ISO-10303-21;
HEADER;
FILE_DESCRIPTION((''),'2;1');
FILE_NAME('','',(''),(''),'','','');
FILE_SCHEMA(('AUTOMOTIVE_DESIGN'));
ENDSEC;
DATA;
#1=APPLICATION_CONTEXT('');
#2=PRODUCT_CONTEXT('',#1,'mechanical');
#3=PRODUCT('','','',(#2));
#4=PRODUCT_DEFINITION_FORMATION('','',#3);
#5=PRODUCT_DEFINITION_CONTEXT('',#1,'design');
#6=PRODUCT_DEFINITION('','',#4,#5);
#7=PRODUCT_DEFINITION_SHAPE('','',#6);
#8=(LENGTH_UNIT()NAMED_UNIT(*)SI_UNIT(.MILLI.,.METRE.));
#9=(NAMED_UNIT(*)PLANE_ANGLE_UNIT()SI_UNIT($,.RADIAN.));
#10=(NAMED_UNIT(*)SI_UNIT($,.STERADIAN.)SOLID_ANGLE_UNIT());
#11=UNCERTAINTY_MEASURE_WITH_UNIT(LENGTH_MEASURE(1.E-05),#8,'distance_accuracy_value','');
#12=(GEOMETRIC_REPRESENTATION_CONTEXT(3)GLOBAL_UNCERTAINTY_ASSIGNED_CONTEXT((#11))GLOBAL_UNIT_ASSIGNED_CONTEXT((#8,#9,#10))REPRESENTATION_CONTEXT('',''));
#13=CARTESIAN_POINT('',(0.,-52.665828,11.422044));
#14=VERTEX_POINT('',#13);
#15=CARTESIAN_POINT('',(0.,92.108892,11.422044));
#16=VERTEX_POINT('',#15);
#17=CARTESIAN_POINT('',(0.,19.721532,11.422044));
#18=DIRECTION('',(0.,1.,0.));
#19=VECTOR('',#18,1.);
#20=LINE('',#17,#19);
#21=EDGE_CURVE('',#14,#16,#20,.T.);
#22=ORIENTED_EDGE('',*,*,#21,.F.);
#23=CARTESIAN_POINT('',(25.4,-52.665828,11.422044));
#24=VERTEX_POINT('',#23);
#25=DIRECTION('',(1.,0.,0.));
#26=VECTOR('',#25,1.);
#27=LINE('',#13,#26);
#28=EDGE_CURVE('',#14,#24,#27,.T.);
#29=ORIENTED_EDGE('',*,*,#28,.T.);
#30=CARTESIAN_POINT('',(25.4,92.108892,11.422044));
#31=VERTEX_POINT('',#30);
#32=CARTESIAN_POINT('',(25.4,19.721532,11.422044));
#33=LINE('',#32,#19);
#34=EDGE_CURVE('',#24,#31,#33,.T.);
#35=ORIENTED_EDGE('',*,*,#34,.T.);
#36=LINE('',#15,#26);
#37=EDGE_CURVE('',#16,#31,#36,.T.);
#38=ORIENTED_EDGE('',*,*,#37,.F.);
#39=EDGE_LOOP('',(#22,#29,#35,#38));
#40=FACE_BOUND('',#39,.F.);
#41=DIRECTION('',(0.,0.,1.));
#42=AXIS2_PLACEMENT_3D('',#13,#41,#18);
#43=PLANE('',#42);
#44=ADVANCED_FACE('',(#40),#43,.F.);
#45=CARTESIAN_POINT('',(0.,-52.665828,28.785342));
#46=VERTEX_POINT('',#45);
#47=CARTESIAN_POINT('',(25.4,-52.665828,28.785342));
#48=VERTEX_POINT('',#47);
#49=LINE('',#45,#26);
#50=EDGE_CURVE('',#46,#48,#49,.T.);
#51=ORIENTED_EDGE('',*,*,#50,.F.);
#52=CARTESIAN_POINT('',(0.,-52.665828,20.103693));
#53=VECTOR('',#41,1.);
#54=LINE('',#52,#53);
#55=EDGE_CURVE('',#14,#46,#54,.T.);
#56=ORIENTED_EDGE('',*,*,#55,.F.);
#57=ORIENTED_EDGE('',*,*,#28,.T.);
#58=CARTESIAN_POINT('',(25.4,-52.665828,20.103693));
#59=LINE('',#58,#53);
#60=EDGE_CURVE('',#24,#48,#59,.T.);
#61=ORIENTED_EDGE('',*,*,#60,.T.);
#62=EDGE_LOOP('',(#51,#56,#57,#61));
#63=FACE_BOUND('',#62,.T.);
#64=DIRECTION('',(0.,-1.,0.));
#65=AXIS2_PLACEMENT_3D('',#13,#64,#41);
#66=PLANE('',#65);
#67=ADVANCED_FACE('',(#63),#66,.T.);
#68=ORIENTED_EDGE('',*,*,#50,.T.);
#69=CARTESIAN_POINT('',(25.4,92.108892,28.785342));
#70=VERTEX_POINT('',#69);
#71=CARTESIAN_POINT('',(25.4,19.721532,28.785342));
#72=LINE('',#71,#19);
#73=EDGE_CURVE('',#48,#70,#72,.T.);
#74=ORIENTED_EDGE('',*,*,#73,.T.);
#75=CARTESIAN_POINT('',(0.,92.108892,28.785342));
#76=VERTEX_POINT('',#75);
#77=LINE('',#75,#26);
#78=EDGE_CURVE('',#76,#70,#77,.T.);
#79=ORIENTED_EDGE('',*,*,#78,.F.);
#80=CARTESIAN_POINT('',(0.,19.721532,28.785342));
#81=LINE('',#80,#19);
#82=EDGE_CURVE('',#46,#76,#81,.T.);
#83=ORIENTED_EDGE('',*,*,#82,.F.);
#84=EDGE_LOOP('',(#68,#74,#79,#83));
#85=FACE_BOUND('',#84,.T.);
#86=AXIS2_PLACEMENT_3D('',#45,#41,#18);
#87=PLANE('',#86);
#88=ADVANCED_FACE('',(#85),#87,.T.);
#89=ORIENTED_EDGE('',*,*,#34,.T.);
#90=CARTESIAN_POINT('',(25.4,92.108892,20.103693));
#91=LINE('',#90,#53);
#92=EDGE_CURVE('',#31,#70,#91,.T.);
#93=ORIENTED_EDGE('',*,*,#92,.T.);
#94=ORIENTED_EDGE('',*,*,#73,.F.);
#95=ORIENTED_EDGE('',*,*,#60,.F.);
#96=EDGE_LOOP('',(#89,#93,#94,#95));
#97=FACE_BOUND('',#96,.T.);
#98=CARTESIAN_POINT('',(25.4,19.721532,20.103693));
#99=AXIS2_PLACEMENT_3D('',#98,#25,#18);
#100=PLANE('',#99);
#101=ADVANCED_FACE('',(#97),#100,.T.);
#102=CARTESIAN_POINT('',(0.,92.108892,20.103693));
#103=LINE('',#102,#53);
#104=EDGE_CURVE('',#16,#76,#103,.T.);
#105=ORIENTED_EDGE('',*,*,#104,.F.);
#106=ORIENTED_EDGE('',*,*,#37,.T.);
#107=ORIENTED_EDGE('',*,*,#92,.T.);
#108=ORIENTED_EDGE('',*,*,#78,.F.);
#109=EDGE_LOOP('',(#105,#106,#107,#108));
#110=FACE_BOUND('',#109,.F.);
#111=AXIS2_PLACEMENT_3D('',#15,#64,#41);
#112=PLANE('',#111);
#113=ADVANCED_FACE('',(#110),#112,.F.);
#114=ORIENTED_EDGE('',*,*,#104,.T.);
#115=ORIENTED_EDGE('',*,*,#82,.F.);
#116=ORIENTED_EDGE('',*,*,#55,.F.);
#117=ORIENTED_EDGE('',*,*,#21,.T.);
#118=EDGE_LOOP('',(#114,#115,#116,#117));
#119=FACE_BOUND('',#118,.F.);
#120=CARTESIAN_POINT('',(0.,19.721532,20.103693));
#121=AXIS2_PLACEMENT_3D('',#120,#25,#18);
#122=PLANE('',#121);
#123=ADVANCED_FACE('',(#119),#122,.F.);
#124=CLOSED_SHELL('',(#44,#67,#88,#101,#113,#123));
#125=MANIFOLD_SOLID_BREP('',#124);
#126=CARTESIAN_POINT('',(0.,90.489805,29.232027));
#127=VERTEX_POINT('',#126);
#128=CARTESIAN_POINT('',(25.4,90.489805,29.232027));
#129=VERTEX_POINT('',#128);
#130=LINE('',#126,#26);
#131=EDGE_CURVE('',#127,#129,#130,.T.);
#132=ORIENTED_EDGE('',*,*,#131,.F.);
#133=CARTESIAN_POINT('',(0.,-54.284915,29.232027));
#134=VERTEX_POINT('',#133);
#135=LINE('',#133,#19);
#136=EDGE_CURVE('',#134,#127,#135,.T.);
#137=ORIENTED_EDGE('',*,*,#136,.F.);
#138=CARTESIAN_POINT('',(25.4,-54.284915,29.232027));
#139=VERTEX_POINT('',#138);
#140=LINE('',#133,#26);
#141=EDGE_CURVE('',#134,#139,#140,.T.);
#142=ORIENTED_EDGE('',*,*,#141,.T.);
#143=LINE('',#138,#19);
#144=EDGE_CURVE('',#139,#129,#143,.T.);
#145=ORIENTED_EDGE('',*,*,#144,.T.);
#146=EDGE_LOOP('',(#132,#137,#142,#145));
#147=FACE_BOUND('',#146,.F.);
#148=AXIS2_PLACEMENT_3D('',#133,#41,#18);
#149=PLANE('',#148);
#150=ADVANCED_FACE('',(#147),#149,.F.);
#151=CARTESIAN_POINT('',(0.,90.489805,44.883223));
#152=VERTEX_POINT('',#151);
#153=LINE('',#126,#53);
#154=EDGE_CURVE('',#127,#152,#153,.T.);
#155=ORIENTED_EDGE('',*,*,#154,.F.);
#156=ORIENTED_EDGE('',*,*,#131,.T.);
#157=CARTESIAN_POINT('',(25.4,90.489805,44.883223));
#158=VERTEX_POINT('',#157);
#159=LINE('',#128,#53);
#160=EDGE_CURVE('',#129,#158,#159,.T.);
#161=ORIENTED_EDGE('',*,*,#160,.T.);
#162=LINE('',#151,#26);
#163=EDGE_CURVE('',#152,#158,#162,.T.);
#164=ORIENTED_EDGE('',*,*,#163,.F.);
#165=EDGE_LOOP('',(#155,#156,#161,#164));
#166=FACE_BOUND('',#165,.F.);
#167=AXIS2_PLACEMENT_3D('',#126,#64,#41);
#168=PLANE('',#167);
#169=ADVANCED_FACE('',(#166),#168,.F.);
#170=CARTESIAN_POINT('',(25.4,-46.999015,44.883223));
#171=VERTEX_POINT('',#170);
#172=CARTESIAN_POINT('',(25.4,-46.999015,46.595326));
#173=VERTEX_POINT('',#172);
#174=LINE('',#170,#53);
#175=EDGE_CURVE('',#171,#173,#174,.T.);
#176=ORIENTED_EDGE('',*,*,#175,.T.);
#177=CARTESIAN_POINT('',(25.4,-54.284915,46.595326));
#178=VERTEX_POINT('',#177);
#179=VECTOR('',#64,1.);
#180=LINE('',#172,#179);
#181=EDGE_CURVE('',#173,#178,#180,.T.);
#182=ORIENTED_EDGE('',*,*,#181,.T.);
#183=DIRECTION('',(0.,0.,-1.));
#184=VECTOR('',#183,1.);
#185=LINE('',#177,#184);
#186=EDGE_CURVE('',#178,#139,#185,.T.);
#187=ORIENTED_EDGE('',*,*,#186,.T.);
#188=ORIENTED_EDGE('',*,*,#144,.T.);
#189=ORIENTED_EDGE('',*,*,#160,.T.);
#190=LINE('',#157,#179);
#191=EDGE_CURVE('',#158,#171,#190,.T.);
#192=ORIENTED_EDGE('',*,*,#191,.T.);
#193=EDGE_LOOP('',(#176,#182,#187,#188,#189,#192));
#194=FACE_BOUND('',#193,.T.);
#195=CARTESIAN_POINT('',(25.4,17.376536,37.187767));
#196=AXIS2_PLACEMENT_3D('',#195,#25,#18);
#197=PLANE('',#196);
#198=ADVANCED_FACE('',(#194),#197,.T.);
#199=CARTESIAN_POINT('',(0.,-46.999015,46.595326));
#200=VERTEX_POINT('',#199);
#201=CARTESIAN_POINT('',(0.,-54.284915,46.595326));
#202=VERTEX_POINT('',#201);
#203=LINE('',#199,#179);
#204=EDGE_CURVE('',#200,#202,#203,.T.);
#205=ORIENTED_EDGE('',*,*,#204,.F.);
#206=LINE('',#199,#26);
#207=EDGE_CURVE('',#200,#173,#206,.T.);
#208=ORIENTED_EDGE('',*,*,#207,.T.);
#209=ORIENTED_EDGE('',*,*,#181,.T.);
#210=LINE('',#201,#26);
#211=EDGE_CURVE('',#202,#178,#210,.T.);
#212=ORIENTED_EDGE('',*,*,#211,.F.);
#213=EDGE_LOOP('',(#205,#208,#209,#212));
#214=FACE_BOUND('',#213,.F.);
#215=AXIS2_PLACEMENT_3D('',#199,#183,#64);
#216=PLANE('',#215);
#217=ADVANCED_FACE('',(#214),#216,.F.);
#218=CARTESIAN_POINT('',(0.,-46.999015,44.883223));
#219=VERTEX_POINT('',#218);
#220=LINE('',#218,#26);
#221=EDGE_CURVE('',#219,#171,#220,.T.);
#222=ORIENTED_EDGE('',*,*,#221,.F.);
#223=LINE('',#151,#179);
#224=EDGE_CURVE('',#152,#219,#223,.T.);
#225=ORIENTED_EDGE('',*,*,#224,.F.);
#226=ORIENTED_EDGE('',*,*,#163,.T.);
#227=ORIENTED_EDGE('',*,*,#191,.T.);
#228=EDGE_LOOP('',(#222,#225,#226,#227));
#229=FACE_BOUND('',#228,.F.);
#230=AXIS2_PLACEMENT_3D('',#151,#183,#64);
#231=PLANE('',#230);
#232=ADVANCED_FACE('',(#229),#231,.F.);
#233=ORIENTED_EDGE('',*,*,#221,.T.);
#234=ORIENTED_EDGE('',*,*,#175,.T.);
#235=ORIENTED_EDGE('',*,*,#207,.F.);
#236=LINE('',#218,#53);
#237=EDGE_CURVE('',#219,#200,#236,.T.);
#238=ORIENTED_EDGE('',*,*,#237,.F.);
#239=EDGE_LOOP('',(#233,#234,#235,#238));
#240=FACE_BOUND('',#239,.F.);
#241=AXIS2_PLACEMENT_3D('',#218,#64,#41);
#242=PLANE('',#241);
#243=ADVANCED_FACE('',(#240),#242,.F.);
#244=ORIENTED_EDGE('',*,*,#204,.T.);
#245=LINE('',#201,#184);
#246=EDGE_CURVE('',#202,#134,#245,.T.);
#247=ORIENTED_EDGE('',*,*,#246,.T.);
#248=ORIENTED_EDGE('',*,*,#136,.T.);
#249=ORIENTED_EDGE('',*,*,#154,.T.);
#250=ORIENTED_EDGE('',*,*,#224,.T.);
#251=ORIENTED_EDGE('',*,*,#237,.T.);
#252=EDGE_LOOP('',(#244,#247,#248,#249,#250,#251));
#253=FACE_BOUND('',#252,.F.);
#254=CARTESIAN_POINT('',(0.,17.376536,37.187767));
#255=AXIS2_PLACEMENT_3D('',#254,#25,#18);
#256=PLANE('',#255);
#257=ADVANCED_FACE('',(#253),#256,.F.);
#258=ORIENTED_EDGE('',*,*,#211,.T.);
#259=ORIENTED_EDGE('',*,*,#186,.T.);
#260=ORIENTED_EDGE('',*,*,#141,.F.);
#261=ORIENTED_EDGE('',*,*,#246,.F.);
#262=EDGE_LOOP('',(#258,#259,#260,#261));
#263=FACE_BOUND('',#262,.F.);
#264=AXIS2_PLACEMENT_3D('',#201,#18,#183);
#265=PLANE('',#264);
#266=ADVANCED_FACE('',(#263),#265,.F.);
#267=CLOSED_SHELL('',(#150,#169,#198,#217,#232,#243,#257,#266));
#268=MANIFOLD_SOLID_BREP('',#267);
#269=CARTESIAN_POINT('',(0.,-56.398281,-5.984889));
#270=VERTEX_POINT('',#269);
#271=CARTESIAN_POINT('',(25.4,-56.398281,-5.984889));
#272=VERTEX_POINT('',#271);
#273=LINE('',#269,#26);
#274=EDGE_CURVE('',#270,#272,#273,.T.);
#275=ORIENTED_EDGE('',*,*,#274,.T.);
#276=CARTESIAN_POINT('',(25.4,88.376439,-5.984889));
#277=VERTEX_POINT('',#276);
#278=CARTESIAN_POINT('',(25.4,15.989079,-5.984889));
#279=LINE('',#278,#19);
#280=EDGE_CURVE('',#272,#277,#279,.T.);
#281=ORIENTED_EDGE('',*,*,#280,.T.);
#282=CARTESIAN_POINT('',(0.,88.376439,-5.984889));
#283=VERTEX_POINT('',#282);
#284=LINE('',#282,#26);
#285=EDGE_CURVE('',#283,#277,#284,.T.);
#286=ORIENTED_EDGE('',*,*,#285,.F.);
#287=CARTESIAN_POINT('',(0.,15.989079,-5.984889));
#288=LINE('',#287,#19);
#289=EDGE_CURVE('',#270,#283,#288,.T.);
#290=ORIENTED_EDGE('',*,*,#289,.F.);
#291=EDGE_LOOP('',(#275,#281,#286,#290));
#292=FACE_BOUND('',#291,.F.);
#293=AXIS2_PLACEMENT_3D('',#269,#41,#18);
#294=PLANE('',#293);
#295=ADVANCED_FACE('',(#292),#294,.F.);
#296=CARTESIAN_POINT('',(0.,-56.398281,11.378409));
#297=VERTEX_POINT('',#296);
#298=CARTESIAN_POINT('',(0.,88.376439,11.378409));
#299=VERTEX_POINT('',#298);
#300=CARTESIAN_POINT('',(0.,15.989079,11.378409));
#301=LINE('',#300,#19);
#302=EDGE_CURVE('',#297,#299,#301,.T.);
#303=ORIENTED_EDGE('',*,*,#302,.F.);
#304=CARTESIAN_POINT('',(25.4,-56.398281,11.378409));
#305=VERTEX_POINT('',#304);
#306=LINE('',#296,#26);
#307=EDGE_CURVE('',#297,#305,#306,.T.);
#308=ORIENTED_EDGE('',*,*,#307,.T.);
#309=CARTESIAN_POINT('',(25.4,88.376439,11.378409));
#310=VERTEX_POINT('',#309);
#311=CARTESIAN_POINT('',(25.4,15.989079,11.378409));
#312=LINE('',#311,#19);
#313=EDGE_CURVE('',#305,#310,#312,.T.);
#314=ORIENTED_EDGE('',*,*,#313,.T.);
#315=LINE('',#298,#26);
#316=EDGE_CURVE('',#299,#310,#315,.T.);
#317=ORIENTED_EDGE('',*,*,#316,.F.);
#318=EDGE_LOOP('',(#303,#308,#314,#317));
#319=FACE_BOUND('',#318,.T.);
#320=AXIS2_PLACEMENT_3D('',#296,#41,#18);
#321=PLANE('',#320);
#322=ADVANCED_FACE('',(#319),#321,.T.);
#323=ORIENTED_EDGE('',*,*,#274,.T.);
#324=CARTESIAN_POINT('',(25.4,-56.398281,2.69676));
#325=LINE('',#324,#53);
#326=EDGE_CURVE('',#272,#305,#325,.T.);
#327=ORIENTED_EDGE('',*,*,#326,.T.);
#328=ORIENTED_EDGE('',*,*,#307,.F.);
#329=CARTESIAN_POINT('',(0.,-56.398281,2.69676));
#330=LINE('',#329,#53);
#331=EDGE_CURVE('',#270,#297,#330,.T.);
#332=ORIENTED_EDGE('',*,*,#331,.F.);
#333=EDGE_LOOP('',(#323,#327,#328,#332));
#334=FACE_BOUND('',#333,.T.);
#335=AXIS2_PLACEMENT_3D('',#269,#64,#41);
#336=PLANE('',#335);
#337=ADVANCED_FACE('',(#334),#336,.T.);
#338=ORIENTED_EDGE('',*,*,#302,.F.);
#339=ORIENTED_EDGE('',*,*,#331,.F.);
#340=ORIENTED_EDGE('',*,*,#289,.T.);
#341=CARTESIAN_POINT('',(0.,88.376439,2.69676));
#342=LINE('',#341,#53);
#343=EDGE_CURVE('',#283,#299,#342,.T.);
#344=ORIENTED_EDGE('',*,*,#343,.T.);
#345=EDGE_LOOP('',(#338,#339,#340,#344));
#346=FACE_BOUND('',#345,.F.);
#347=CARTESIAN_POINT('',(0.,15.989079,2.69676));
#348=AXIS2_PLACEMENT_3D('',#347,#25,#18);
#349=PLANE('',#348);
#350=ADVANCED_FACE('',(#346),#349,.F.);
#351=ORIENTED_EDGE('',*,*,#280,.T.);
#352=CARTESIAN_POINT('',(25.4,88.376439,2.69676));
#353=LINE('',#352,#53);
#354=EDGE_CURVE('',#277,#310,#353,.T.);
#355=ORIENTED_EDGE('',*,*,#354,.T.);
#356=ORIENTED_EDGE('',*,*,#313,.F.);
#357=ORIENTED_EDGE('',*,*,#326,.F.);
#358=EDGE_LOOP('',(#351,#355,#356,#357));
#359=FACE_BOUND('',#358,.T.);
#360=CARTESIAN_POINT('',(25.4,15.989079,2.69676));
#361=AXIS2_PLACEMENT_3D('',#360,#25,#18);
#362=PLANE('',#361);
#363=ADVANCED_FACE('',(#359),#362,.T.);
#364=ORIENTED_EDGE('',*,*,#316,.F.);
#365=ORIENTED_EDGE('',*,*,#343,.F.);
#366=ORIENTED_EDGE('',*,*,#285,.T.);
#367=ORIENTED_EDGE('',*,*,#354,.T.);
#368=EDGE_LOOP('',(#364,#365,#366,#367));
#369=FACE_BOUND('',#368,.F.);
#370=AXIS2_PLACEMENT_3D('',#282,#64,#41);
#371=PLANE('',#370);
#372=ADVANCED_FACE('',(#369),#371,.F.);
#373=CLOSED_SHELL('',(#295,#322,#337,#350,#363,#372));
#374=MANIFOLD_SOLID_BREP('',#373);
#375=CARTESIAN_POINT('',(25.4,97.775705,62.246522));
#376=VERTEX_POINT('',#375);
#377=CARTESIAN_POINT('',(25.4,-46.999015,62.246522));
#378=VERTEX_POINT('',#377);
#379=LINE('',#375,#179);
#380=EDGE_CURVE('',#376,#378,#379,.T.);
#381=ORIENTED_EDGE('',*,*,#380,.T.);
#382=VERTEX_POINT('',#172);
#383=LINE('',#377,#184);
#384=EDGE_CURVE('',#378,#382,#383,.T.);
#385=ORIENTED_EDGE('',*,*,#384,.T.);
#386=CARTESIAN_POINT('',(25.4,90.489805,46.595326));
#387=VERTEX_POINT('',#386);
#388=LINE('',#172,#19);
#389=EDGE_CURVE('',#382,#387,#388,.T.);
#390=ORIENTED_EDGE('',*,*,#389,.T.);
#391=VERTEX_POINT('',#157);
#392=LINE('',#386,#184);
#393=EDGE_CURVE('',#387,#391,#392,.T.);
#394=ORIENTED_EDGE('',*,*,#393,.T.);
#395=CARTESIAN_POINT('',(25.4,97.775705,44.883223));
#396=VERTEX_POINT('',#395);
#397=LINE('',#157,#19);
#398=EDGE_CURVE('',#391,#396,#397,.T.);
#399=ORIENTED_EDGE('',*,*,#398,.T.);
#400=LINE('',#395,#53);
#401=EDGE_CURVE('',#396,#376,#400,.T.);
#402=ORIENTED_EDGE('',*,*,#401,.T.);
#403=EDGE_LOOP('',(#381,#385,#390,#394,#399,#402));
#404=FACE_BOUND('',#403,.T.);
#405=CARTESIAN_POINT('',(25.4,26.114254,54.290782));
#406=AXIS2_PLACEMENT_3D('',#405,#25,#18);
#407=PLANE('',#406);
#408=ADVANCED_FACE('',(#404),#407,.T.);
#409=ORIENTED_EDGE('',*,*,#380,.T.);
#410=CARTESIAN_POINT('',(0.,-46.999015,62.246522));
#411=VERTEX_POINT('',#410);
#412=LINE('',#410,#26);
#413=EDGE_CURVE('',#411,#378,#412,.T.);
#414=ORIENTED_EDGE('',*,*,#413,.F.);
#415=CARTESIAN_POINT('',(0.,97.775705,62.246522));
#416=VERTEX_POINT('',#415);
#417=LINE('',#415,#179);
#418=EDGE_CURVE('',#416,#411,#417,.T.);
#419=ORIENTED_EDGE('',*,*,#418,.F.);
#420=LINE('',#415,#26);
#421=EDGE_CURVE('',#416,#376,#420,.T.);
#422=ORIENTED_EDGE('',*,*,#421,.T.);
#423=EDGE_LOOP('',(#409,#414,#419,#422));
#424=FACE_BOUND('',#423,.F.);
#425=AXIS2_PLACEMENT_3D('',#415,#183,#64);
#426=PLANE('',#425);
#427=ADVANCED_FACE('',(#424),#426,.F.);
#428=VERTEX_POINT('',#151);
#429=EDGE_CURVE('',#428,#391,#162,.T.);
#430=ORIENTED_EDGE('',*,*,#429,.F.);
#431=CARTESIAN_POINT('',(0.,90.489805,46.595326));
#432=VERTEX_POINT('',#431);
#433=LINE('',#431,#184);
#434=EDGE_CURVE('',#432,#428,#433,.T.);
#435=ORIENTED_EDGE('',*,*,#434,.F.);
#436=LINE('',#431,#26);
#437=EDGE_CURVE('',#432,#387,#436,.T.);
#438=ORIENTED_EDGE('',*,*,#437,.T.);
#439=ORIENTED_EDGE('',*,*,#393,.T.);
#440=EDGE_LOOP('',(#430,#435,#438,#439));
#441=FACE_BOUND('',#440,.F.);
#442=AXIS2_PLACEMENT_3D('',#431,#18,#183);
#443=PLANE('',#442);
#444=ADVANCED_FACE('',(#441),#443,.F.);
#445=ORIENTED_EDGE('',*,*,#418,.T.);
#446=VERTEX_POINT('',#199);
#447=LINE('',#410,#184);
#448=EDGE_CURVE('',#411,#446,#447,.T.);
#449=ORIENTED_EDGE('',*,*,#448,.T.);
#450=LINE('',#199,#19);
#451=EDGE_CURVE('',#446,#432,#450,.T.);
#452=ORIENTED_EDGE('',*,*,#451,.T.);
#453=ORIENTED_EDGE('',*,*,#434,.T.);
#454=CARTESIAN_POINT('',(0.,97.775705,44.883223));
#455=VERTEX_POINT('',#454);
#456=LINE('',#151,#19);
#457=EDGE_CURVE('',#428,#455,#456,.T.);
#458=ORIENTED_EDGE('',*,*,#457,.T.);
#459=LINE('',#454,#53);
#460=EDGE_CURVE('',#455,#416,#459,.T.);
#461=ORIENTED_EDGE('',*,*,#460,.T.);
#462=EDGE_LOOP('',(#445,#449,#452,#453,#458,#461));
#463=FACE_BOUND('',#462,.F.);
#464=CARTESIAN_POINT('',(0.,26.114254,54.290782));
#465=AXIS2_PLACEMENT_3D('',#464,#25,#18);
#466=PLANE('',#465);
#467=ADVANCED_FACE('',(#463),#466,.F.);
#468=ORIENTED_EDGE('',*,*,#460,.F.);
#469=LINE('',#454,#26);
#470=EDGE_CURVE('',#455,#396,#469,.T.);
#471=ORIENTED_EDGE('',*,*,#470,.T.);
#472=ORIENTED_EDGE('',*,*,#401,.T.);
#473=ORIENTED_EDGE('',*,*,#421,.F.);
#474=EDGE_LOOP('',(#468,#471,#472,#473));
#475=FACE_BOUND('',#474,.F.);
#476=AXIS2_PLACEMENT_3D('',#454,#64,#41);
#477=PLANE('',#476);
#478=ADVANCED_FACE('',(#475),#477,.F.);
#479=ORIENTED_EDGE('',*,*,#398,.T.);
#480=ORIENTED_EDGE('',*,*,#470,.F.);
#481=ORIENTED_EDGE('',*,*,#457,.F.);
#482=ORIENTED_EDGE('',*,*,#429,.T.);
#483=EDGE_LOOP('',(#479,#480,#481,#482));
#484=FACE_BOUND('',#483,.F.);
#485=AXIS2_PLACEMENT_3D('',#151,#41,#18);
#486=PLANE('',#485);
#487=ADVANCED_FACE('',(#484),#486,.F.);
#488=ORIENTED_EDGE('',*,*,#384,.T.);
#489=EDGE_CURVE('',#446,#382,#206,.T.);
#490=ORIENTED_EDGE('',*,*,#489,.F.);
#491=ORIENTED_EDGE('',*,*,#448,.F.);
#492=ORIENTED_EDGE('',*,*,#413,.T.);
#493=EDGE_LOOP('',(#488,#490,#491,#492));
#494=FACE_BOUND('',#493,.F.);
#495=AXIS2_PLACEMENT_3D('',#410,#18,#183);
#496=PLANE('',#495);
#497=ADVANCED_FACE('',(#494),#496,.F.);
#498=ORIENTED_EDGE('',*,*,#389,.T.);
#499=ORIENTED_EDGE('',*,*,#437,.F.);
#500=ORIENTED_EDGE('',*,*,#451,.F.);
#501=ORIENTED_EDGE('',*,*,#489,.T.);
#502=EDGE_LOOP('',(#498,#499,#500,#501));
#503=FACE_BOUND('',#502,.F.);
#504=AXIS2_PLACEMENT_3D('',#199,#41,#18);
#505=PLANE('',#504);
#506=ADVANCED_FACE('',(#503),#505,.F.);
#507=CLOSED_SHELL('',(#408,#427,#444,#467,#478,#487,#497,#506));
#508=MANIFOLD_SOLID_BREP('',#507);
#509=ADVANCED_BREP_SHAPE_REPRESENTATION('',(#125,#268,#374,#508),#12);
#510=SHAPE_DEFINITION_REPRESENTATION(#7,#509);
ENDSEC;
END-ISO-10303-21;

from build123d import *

# Parameters (mm, degrees)
F0_W     = 144.77472
F0_H     = 17.363298
F2_DEPTH = 25.4
F3_DEPTH = 25.4


with BuildPart() as f2:
    # F0 (on Right) → F2 (new body)
    with BuildSketch(Plane.YZ):
        with Locations((15.989079, 2.69676)):
            Rectangle(F0_W, F0_H)
    extrude(amount=F2_DEPTH)


with BuildPart() as f3:
    # F0 (on Right) → F3 (new body)
    with BuildSketch(Plane.YZ):
        with Locations((19.721532, 20.103693)):
            Rectangle(F0_W, F0_H)
        Polygon((-54.284915, 29.232027), (90.489805, 29.232027), (90.489805, 44.883223), (-46.999015, 44.883223), (-46.999015, 46.595326), (-54.284915, 46.595326), align=None)
        Polygon((90.489805, 46.595326), (90.489805, 44.883223), (97.775705, 44.883223), (97.775705, 62.246522), (-46.999015, 62.246522), (-46.999015, 46.595326), align=None)
    extrude(amount=F3_DEPTH)


solid = Compound([f2.part, f3.part])
